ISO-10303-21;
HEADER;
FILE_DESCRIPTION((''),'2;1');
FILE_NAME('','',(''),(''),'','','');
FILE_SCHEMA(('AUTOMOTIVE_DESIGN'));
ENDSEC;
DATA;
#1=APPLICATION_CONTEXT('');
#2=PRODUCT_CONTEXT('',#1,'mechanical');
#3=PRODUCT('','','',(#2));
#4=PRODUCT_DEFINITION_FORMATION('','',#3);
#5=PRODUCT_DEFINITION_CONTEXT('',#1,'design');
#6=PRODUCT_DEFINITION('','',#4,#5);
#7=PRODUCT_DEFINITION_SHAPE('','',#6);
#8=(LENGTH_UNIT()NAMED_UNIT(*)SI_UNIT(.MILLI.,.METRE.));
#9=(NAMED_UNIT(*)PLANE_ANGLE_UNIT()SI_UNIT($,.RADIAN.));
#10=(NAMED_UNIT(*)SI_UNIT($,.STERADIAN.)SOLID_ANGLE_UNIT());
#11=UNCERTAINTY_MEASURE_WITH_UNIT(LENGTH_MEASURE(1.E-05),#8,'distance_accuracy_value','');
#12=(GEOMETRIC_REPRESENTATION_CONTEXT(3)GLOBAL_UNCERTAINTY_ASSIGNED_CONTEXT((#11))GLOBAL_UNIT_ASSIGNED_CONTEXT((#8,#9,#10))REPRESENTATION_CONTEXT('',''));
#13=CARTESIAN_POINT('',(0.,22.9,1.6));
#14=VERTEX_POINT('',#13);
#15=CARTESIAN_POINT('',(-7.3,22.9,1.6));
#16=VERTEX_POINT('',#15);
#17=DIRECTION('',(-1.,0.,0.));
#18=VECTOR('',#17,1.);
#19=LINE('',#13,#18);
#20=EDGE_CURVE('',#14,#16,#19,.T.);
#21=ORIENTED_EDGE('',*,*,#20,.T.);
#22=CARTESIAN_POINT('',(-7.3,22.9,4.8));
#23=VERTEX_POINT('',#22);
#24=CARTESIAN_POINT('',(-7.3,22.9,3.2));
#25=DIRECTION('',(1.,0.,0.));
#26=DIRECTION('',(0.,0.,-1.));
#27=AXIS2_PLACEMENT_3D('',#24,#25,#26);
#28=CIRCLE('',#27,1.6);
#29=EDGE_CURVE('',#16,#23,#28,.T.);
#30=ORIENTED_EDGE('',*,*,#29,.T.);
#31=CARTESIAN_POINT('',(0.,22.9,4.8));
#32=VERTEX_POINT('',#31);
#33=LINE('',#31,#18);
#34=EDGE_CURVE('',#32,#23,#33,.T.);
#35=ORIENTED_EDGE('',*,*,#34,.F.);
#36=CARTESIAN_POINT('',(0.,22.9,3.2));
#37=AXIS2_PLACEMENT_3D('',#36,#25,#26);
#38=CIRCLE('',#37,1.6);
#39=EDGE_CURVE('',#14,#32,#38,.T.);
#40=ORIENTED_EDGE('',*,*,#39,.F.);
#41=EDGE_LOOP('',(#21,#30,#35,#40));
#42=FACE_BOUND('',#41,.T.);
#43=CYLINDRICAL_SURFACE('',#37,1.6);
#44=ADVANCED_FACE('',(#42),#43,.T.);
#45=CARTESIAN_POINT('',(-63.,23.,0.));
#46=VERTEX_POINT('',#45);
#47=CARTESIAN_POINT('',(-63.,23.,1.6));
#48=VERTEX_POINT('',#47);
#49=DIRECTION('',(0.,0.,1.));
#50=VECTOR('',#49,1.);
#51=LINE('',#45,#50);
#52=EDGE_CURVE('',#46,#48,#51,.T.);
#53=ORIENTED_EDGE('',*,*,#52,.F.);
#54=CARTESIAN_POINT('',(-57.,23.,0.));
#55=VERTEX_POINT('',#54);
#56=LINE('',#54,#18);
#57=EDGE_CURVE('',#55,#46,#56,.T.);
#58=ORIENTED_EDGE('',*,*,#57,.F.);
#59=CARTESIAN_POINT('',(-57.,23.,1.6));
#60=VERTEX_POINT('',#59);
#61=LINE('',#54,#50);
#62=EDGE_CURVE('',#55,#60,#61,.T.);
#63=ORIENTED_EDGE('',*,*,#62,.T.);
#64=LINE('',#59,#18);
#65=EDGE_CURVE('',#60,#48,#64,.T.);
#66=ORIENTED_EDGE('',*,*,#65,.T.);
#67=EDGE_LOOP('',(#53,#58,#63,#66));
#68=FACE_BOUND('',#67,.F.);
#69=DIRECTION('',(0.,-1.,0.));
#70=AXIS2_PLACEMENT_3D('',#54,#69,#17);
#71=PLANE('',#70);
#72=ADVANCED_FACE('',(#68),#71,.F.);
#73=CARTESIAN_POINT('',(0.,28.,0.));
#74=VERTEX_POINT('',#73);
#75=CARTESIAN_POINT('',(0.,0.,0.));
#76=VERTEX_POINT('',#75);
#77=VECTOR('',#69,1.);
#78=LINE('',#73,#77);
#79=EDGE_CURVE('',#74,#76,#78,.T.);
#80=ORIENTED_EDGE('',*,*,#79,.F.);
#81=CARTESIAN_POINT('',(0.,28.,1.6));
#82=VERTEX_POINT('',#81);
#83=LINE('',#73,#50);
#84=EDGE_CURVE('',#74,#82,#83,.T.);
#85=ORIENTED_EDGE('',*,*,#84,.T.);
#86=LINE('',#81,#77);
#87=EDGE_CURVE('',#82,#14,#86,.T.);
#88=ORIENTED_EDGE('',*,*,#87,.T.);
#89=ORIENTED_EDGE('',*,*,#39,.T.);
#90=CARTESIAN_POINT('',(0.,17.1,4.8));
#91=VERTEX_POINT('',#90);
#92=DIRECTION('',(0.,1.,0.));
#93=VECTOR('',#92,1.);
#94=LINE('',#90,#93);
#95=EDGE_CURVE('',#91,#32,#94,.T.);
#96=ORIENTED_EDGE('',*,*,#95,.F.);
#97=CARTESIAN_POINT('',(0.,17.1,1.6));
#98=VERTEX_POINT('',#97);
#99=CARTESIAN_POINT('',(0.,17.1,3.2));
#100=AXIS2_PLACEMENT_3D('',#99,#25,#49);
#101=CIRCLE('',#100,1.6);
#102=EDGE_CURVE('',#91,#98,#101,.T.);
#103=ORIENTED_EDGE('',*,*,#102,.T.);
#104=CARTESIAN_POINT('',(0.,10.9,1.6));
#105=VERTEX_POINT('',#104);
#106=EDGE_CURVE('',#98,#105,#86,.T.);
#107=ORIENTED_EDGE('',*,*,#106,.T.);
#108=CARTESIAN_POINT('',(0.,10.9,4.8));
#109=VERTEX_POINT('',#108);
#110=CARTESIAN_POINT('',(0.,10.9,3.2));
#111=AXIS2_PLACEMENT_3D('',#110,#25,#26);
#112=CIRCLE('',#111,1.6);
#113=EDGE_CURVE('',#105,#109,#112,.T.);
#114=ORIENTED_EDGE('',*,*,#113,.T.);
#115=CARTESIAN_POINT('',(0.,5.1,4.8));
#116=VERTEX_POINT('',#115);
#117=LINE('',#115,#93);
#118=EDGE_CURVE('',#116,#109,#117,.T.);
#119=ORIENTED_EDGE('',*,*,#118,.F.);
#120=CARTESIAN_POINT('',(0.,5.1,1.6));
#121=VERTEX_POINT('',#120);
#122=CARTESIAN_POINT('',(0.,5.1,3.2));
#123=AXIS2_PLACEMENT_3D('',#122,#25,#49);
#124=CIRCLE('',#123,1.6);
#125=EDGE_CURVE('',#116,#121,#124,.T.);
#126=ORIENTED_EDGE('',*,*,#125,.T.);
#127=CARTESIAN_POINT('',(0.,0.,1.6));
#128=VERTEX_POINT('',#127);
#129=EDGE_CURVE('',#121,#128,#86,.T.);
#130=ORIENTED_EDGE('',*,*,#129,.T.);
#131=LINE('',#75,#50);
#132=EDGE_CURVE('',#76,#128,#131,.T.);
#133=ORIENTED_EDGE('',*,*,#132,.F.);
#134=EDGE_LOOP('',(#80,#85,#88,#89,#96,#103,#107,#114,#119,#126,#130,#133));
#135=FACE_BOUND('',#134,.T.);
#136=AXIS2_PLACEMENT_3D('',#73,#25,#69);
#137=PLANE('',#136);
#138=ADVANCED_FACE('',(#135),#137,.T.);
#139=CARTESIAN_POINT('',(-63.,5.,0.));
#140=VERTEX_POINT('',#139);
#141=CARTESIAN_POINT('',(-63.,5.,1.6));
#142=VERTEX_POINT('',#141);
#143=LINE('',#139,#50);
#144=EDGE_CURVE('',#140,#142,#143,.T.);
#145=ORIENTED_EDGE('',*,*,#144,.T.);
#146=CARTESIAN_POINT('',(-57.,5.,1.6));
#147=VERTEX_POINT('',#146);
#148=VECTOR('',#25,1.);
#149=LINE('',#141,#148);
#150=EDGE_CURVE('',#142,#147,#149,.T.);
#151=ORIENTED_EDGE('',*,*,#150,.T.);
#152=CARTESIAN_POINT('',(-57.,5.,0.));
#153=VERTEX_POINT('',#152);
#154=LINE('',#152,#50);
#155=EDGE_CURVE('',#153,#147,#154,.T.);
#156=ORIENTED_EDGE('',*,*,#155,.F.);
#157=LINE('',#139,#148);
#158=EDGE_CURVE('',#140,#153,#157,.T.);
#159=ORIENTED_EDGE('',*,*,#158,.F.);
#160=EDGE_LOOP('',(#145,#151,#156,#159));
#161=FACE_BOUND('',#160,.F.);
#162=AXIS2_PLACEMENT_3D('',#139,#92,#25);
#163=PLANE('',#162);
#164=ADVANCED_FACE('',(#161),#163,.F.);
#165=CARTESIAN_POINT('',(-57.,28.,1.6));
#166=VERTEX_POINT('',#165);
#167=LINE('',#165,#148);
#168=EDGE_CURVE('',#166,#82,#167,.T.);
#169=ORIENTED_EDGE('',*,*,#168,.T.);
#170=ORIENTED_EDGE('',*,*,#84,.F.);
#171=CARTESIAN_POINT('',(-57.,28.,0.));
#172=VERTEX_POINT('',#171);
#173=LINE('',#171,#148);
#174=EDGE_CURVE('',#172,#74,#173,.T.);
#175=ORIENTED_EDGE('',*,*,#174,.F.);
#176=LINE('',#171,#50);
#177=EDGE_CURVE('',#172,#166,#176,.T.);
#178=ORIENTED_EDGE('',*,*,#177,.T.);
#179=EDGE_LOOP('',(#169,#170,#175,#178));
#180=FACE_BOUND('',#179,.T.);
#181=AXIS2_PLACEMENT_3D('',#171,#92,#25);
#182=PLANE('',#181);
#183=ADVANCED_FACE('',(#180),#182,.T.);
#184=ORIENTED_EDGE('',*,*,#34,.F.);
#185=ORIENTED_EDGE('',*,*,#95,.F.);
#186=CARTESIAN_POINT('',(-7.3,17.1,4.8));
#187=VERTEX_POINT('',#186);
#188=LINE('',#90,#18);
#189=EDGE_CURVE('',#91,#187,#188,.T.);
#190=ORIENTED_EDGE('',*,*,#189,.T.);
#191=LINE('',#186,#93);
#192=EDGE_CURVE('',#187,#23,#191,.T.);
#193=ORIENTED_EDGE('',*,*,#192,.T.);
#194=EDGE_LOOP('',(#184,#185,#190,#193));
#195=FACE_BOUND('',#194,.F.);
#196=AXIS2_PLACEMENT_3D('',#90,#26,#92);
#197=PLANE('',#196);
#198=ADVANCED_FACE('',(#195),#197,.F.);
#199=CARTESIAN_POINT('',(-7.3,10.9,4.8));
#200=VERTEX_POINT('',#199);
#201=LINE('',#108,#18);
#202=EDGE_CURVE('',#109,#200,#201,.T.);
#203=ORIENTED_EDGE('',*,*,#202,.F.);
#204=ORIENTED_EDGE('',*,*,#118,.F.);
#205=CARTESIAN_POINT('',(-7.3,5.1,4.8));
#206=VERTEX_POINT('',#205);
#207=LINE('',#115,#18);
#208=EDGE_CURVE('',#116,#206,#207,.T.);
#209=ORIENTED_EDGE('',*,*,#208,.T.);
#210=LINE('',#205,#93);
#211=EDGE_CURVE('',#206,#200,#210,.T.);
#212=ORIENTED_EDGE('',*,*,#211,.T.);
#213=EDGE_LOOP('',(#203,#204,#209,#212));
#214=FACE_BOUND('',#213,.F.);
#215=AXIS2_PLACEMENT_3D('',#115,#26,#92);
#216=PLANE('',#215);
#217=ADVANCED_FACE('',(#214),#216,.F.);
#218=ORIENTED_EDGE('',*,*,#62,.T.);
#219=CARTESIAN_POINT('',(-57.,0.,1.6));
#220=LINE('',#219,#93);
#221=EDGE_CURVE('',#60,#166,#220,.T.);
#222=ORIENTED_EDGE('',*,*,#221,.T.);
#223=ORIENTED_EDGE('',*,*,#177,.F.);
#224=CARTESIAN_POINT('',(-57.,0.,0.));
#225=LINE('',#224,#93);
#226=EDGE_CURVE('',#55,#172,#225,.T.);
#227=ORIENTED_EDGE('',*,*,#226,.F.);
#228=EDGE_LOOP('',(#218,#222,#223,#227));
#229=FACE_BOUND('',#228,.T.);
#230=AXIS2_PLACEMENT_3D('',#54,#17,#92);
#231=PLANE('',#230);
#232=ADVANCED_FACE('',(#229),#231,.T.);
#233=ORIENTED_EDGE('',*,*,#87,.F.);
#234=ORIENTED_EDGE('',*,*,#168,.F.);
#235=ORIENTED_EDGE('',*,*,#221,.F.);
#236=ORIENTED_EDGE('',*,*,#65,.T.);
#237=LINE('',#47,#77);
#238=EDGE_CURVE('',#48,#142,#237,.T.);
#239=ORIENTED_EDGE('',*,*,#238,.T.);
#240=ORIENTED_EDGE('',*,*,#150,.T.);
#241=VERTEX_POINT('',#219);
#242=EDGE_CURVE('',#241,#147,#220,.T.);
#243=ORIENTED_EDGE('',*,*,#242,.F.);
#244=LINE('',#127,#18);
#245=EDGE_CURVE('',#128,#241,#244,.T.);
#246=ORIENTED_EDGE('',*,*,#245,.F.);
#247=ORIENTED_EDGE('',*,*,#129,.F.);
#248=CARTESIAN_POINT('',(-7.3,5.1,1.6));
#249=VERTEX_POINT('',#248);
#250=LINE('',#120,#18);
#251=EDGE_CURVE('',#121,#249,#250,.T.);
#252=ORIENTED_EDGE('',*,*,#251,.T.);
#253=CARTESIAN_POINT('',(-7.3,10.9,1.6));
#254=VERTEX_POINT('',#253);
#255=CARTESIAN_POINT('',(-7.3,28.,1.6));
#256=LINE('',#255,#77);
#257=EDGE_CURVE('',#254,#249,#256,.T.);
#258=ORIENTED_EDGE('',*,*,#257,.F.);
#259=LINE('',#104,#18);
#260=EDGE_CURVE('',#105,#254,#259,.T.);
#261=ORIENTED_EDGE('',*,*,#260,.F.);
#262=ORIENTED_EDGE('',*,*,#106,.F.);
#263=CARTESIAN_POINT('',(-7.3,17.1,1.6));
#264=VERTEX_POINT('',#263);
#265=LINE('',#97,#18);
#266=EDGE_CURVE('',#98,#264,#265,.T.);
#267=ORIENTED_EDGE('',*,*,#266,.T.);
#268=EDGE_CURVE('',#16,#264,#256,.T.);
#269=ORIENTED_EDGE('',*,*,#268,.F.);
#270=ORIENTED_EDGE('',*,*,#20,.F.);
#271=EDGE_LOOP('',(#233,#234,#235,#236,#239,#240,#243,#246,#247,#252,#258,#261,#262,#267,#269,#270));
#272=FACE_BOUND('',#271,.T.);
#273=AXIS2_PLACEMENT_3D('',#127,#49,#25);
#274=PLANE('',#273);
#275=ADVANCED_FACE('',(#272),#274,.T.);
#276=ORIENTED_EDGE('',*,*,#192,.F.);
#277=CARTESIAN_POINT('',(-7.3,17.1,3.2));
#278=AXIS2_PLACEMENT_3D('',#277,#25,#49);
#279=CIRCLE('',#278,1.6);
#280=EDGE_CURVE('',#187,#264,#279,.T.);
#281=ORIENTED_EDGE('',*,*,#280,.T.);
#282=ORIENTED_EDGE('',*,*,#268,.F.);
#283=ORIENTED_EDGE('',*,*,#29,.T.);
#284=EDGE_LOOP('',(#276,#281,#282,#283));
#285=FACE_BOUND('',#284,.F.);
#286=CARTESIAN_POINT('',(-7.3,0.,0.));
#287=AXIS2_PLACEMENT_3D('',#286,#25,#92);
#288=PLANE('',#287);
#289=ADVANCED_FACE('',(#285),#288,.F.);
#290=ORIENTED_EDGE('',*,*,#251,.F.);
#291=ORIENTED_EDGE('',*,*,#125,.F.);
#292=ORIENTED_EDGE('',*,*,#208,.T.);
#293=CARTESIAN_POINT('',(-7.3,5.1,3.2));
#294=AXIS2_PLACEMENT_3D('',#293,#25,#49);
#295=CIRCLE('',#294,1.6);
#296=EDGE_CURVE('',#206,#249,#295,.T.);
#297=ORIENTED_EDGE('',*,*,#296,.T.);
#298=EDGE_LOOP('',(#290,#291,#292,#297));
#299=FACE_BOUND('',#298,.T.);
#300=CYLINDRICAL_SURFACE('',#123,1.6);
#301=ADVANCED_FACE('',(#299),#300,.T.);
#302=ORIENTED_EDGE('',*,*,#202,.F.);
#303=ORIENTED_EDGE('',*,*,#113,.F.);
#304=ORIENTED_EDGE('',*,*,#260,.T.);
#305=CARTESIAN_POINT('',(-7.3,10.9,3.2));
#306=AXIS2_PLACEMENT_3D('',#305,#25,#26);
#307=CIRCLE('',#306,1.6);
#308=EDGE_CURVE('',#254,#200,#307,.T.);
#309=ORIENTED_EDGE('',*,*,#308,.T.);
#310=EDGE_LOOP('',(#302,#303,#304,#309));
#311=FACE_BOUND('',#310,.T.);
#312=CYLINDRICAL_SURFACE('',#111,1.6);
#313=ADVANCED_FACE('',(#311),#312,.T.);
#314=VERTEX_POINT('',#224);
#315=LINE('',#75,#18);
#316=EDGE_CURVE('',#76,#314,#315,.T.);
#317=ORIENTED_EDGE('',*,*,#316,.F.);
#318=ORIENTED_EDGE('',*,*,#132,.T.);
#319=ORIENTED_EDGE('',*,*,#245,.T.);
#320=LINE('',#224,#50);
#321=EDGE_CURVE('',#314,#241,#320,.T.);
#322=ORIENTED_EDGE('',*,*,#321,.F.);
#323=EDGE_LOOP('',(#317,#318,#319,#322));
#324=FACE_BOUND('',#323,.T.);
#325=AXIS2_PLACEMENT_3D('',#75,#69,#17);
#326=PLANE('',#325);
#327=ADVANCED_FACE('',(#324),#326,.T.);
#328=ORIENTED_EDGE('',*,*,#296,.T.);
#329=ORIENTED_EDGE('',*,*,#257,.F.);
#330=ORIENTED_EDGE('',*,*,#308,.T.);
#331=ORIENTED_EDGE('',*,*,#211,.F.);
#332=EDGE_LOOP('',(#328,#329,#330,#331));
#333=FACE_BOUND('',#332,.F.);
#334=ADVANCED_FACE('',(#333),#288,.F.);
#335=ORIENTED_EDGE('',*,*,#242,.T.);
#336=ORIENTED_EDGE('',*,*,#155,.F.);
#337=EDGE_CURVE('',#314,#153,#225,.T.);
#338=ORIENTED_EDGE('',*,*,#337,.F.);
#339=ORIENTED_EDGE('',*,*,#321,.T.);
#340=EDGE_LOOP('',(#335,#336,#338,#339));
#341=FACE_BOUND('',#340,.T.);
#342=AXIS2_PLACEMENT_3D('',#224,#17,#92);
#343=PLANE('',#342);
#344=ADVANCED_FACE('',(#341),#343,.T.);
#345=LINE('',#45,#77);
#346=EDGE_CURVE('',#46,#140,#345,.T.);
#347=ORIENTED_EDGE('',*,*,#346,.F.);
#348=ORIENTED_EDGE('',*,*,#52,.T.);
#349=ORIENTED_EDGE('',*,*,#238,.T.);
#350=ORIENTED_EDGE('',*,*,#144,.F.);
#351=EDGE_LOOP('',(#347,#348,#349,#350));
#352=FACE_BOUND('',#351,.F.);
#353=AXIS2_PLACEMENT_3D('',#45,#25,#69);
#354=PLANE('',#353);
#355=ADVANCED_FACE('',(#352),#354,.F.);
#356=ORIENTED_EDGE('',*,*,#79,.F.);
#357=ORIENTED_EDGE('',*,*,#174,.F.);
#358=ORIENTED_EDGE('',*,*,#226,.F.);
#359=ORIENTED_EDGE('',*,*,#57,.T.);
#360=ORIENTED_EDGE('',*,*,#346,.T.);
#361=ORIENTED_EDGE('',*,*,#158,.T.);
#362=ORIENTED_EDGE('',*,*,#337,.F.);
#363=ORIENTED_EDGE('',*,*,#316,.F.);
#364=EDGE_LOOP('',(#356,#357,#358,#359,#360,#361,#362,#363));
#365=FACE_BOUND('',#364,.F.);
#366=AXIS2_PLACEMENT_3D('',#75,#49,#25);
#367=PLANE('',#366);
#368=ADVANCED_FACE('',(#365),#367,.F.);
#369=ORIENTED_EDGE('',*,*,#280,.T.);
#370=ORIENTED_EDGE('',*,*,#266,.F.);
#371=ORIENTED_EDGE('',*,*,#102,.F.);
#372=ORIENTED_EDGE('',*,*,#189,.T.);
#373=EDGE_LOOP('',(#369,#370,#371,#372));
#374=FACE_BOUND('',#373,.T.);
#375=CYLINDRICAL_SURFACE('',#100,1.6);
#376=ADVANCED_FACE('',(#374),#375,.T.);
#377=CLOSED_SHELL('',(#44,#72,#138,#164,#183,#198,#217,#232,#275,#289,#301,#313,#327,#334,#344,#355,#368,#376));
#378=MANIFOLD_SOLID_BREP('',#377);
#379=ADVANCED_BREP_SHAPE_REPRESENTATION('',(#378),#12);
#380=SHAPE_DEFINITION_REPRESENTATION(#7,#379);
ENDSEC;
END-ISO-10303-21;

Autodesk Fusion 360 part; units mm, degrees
sketch "Skizze1" plane through (0, 0, 0) normal (0, 0, 1) x (1, 0, 0)
  line L0 (0, 0) -> (-57, 0)
  line L1 (-57, 0) -> (-57, 28)
  line L2 (-57, 28) -> (0, 28)
  line L3 (0, 28) -> (0, 0)
  line L4 (-57, 23) -> (-63, 23)
  line L5 (-63, 23) -> (-63, 5)
  line L6 (-63, 5) -> (-57, 5)
  line L7 (-57, 5) -> (-57, 23)
  line L8 (0, 14) -> (-57, 14) construction
  dimension "d1" = 57
  dimension "d2" = 28
  dimension "d3" = 6
  dimension "d4" = 18
extrude "Extrusion1" add sketch "Skizze1" along normal blind 1.6
sketch "Skizze2" plane through (0, 0, 0) normal (1, 0, 0) x (0, 1, 0)
  line L0 (0, 0) -> (28, 0)
  line L1 (28, 0) -> (28, 1.6)
  line L2 (28, 1.6) -> (0, 1.6)
  line L3 (0, 1.6) -> (0, 0)
  line L4 (23, 1.6) -> (5, 1.6)
  line L5 (5, 1.6) -> (0, 1.6)
  line L6 (0, 1.6) -> (28, 1.6)
  line L7 (28, 1.6) -> (23, 1.6)
  line L8 (5.1, 4.8) -> (10.9, 4.8)
  line L9 (10.9, 1.6) -> (5.1, 1.6)
  line L10 (17.1, 4.8) -> (22.9, 4.8)
  line L11 (17.1, 1.6) -> (22.9, 1.6)
  arc A0 (5.1, 4.8) -> (5.1, 1.6) centre (5.1, 3.2) ccw
  arc A1 (10.9, 1.6) -> (10.9, 4.8) centre (10.9, 3.2) ccw
  arc A2 (17.1, 4.8) -> (17.1, 1.6) centre (17.1, 3.2) ccw
  arc A3 (22.9, 1.6) -> (22.9, 4.8) centre (22.9, 3.2) ccw
  line L12 (14, 1.6) -> (14, 0) construction
  dimension "d7" = 3.2
  dimension "d8" = 3.2
  dimension "d9" = 5.8
  dimension "d10" = 5.8
  dimension "d11" = 6.2
extrude "Extrusion2" add sketch "Skizze2" against normal blind 7.3 contours L2 L4 L6 L8 L9 A0 A1 | L2 L4 L6 L10 L11 A2 A3
sketch "Skizze3" plane through (0, 0, 0) normal (0, 0, -1) x (1, 0, 0)
  line L0 (-63, -23) -> (-57, -23)
  line L1 (-57, -23) -> (-57, -28)
  line L2 (-57, -28) -> (0, -28)
  line L3 (0, -28) -> (0, 0)
  line L4 (0, 0) -> (-57, 0)
  line L5 (-57, 0) -> (-57, -5)
  line L6 (-57, -5) -> (-63, -5)
  line L7 (-63, -5) -> (-63, -23)
  line L8 (0, -26.7) -> (-57, -26.7) construction
  line L9 (0, -1.3) -> (-57, -1.3) construction
  line L10 (-1.83, -26.7) -> (-1.83, -1.3) construction
  line L11 (-55.17, -26.7) -> (-55.17, -1.3) construction
  line L12 (-1.83, -26.7) -> (0, -26.7) construction
  line L13 (-57, -26.7) -> (-55.17, -26.7) construction
  line L14 (0, -14) -> (-63, -14) construction
  point P0 (-1.83, -1.3)
  point P1 (-55.17, -1.3)
  point P2 (-55.17, -26.7)
  point P3 (-1.83, -26.7)
  dimension "d14" = 53.34
  dimension "d16" = 25.4
equation "d8 = d7"
equation "d9 = d10"
equation "d10 = 9 mm - 3.2 mm"
equation "d11 = 3 mm + 3.2 mm"
equation "d14 = ( 21 * 2.54 ) * 1 mm"
equation "d16 = ( 10 * 2.54 ) * 1 mm"
